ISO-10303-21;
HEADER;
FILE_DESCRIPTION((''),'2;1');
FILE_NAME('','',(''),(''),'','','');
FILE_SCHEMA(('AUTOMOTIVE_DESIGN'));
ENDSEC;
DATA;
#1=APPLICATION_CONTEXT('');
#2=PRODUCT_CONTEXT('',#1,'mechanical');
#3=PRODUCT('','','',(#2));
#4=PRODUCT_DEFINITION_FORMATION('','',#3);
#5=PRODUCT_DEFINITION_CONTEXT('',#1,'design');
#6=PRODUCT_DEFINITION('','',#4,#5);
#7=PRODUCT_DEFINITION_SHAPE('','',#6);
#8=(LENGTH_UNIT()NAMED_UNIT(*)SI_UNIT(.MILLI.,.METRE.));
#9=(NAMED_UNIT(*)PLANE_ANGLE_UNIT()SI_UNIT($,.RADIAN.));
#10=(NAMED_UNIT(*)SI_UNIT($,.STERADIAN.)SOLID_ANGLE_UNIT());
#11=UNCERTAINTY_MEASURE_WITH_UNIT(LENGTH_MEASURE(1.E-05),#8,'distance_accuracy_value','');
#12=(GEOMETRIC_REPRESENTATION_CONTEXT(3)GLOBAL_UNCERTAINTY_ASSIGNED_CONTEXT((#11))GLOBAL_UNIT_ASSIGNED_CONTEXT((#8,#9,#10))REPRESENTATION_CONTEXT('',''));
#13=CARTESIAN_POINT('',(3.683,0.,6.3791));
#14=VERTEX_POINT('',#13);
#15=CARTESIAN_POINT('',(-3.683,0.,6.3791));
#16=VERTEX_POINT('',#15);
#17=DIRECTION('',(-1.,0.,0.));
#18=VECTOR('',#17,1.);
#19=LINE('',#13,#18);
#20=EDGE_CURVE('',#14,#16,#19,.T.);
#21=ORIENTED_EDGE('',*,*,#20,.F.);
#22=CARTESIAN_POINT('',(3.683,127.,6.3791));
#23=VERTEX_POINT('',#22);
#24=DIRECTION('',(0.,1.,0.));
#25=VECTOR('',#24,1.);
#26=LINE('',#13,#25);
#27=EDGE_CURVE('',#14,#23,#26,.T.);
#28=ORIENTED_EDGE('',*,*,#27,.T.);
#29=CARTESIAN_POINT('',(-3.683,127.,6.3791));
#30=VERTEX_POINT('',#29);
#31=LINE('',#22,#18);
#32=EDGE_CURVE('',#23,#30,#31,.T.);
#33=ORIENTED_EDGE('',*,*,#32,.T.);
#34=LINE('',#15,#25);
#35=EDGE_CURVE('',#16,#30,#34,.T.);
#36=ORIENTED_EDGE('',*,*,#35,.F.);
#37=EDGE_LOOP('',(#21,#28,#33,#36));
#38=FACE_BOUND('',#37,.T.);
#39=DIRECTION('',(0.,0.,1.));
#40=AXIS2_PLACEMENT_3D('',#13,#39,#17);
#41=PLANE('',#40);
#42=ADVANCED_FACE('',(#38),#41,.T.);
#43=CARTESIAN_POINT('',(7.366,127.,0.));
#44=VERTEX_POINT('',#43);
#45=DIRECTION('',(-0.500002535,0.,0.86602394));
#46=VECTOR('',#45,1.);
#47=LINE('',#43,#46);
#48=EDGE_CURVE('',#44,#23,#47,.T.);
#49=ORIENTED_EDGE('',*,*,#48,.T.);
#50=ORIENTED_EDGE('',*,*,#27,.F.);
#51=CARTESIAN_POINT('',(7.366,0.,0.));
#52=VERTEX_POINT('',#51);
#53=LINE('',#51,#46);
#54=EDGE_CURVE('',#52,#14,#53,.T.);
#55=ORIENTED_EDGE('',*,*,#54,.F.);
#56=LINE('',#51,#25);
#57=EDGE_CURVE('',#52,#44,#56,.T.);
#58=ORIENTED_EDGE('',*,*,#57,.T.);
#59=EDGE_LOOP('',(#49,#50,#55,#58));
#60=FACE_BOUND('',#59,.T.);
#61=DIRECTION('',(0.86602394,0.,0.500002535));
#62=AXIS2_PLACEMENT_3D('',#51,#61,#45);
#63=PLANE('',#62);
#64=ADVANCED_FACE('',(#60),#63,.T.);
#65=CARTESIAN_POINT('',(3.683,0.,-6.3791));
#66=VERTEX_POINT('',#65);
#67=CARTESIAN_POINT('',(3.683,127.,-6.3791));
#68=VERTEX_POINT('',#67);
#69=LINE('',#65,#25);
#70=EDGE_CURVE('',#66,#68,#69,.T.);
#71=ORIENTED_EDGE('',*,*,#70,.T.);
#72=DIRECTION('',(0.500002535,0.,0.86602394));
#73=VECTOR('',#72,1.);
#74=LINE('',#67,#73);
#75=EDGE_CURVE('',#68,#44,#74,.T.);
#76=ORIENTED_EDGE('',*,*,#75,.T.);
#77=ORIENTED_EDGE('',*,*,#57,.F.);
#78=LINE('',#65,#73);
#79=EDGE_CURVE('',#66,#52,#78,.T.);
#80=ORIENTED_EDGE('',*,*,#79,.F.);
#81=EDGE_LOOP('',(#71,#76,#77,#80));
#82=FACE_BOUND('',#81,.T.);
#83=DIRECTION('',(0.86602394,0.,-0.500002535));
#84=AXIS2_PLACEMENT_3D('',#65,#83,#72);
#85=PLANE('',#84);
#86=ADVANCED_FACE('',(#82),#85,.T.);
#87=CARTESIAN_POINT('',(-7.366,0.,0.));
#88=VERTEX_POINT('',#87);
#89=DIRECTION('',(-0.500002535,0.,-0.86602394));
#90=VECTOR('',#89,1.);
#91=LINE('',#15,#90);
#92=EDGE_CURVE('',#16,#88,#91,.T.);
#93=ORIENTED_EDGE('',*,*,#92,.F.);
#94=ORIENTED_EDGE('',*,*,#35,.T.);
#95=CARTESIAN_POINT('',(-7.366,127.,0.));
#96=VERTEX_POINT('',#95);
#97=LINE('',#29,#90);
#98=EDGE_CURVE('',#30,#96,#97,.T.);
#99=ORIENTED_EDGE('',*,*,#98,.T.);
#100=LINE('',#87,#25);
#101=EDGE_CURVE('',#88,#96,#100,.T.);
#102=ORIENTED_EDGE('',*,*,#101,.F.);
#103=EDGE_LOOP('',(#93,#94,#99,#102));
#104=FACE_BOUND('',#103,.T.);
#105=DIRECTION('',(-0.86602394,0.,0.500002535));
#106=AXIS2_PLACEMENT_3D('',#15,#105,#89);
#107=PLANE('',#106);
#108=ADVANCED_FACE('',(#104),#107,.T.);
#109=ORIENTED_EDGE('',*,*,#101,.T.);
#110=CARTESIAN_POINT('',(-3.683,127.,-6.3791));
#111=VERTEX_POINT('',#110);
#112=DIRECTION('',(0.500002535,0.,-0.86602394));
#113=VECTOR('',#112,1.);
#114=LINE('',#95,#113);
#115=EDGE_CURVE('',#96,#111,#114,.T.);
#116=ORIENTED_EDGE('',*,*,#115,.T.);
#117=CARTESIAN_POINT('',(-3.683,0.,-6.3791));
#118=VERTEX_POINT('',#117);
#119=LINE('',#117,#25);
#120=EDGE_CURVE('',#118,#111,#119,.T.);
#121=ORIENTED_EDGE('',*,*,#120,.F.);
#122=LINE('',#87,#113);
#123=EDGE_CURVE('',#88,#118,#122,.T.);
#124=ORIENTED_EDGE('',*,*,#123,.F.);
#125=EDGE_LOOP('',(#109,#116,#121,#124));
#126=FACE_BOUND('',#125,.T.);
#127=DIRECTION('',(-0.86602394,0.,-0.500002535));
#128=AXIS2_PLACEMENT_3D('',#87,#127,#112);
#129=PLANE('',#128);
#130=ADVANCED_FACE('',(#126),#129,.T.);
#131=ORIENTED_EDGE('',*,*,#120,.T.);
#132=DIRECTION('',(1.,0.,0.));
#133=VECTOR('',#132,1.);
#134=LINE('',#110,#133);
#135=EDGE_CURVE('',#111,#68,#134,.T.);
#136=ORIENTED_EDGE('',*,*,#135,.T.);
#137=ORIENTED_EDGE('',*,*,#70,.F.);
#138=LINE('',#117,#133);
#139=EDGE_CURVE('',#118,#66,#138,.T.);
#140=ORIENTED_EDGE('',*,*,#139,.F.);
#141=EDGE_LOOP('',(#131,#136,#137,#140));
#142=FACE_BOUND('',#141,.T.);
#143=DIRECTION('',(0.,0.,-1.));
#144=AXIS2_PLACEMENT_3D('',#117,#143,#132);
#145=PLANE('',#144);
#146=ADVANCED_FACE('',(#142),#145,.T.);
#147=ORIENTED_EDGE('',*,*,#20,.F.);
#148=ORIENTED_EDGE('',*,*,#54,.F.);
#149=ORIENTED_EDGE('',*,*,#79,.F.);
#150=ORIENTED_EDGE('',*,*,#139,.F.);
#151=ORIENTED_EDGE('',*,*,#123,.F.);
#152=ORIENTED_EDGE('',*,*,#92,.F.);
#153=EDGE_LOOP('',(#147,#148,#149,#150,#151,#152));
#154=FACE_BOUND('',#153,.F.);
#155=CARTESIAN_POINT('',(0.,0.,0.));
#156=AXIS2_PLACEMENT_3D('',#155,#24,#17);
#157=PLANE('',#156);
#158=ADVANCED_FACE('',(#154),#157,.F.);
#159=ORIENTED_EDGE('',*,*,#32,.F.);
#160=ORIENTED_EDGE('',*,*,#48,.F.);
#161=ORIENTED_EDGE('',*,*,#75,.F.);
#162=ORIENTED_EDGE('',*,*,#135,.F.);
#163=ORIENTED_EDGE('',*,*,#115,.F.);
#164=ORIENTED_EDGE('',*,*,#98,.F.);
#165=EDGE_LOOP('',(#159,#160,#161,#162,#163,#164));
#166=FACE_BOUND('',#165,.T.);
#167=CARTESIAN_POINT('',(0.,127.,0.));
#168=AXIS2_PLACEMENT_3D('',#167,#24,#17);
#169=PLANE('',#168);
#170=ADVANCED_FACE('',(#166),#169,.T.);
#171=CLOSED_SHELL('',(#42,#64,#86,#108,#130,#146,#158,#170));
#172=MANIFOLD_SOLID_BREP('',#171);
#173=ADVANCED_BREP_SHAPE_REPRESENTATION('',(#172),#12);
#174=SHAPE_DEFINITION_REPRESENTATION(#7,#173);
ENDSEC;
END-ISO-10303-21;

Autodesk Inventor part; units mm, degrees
ref_plane "YZ Plane" through (0, 0, 0) normal (1, 0, 0) x (0, 1, 0)
ref_plane "XZ Plane" through (0, 0, 0) normal (0, 1, 0) x (-1, 0, 0)
ref_plane "XY Plane" through (0, 0, 0) normal (0, 0, 1) x (1, 0, 0)
sketch "Sketch1" plane through (0, 0, 0) normal (0, 1, 0) x (-1, 0, 0)
  line L0 (0, 0) -> (7.366, 0) construction
  line L1 (7.366, 0) -> (3.683, -6.3791)
  line L2 (3.683, -6.3791) -> (-3.683, -6.3791)
  line L3 (-3.683, -6.3791) -> (-7.366, 0)
  line L4 (-7.366, 0) -> (-3.683, 6.3791)
  line L5 (-3.683, 6.3791) -> (3.683, 6.3791)
  line L6 (3.683, 6.3791) -> (7.366, 0)
  dimension "d3" = 7.366
extrude "Extrusion1" add sketch "Sketch1" along normal blind 127
properties part number "hex shaft for wheels"
